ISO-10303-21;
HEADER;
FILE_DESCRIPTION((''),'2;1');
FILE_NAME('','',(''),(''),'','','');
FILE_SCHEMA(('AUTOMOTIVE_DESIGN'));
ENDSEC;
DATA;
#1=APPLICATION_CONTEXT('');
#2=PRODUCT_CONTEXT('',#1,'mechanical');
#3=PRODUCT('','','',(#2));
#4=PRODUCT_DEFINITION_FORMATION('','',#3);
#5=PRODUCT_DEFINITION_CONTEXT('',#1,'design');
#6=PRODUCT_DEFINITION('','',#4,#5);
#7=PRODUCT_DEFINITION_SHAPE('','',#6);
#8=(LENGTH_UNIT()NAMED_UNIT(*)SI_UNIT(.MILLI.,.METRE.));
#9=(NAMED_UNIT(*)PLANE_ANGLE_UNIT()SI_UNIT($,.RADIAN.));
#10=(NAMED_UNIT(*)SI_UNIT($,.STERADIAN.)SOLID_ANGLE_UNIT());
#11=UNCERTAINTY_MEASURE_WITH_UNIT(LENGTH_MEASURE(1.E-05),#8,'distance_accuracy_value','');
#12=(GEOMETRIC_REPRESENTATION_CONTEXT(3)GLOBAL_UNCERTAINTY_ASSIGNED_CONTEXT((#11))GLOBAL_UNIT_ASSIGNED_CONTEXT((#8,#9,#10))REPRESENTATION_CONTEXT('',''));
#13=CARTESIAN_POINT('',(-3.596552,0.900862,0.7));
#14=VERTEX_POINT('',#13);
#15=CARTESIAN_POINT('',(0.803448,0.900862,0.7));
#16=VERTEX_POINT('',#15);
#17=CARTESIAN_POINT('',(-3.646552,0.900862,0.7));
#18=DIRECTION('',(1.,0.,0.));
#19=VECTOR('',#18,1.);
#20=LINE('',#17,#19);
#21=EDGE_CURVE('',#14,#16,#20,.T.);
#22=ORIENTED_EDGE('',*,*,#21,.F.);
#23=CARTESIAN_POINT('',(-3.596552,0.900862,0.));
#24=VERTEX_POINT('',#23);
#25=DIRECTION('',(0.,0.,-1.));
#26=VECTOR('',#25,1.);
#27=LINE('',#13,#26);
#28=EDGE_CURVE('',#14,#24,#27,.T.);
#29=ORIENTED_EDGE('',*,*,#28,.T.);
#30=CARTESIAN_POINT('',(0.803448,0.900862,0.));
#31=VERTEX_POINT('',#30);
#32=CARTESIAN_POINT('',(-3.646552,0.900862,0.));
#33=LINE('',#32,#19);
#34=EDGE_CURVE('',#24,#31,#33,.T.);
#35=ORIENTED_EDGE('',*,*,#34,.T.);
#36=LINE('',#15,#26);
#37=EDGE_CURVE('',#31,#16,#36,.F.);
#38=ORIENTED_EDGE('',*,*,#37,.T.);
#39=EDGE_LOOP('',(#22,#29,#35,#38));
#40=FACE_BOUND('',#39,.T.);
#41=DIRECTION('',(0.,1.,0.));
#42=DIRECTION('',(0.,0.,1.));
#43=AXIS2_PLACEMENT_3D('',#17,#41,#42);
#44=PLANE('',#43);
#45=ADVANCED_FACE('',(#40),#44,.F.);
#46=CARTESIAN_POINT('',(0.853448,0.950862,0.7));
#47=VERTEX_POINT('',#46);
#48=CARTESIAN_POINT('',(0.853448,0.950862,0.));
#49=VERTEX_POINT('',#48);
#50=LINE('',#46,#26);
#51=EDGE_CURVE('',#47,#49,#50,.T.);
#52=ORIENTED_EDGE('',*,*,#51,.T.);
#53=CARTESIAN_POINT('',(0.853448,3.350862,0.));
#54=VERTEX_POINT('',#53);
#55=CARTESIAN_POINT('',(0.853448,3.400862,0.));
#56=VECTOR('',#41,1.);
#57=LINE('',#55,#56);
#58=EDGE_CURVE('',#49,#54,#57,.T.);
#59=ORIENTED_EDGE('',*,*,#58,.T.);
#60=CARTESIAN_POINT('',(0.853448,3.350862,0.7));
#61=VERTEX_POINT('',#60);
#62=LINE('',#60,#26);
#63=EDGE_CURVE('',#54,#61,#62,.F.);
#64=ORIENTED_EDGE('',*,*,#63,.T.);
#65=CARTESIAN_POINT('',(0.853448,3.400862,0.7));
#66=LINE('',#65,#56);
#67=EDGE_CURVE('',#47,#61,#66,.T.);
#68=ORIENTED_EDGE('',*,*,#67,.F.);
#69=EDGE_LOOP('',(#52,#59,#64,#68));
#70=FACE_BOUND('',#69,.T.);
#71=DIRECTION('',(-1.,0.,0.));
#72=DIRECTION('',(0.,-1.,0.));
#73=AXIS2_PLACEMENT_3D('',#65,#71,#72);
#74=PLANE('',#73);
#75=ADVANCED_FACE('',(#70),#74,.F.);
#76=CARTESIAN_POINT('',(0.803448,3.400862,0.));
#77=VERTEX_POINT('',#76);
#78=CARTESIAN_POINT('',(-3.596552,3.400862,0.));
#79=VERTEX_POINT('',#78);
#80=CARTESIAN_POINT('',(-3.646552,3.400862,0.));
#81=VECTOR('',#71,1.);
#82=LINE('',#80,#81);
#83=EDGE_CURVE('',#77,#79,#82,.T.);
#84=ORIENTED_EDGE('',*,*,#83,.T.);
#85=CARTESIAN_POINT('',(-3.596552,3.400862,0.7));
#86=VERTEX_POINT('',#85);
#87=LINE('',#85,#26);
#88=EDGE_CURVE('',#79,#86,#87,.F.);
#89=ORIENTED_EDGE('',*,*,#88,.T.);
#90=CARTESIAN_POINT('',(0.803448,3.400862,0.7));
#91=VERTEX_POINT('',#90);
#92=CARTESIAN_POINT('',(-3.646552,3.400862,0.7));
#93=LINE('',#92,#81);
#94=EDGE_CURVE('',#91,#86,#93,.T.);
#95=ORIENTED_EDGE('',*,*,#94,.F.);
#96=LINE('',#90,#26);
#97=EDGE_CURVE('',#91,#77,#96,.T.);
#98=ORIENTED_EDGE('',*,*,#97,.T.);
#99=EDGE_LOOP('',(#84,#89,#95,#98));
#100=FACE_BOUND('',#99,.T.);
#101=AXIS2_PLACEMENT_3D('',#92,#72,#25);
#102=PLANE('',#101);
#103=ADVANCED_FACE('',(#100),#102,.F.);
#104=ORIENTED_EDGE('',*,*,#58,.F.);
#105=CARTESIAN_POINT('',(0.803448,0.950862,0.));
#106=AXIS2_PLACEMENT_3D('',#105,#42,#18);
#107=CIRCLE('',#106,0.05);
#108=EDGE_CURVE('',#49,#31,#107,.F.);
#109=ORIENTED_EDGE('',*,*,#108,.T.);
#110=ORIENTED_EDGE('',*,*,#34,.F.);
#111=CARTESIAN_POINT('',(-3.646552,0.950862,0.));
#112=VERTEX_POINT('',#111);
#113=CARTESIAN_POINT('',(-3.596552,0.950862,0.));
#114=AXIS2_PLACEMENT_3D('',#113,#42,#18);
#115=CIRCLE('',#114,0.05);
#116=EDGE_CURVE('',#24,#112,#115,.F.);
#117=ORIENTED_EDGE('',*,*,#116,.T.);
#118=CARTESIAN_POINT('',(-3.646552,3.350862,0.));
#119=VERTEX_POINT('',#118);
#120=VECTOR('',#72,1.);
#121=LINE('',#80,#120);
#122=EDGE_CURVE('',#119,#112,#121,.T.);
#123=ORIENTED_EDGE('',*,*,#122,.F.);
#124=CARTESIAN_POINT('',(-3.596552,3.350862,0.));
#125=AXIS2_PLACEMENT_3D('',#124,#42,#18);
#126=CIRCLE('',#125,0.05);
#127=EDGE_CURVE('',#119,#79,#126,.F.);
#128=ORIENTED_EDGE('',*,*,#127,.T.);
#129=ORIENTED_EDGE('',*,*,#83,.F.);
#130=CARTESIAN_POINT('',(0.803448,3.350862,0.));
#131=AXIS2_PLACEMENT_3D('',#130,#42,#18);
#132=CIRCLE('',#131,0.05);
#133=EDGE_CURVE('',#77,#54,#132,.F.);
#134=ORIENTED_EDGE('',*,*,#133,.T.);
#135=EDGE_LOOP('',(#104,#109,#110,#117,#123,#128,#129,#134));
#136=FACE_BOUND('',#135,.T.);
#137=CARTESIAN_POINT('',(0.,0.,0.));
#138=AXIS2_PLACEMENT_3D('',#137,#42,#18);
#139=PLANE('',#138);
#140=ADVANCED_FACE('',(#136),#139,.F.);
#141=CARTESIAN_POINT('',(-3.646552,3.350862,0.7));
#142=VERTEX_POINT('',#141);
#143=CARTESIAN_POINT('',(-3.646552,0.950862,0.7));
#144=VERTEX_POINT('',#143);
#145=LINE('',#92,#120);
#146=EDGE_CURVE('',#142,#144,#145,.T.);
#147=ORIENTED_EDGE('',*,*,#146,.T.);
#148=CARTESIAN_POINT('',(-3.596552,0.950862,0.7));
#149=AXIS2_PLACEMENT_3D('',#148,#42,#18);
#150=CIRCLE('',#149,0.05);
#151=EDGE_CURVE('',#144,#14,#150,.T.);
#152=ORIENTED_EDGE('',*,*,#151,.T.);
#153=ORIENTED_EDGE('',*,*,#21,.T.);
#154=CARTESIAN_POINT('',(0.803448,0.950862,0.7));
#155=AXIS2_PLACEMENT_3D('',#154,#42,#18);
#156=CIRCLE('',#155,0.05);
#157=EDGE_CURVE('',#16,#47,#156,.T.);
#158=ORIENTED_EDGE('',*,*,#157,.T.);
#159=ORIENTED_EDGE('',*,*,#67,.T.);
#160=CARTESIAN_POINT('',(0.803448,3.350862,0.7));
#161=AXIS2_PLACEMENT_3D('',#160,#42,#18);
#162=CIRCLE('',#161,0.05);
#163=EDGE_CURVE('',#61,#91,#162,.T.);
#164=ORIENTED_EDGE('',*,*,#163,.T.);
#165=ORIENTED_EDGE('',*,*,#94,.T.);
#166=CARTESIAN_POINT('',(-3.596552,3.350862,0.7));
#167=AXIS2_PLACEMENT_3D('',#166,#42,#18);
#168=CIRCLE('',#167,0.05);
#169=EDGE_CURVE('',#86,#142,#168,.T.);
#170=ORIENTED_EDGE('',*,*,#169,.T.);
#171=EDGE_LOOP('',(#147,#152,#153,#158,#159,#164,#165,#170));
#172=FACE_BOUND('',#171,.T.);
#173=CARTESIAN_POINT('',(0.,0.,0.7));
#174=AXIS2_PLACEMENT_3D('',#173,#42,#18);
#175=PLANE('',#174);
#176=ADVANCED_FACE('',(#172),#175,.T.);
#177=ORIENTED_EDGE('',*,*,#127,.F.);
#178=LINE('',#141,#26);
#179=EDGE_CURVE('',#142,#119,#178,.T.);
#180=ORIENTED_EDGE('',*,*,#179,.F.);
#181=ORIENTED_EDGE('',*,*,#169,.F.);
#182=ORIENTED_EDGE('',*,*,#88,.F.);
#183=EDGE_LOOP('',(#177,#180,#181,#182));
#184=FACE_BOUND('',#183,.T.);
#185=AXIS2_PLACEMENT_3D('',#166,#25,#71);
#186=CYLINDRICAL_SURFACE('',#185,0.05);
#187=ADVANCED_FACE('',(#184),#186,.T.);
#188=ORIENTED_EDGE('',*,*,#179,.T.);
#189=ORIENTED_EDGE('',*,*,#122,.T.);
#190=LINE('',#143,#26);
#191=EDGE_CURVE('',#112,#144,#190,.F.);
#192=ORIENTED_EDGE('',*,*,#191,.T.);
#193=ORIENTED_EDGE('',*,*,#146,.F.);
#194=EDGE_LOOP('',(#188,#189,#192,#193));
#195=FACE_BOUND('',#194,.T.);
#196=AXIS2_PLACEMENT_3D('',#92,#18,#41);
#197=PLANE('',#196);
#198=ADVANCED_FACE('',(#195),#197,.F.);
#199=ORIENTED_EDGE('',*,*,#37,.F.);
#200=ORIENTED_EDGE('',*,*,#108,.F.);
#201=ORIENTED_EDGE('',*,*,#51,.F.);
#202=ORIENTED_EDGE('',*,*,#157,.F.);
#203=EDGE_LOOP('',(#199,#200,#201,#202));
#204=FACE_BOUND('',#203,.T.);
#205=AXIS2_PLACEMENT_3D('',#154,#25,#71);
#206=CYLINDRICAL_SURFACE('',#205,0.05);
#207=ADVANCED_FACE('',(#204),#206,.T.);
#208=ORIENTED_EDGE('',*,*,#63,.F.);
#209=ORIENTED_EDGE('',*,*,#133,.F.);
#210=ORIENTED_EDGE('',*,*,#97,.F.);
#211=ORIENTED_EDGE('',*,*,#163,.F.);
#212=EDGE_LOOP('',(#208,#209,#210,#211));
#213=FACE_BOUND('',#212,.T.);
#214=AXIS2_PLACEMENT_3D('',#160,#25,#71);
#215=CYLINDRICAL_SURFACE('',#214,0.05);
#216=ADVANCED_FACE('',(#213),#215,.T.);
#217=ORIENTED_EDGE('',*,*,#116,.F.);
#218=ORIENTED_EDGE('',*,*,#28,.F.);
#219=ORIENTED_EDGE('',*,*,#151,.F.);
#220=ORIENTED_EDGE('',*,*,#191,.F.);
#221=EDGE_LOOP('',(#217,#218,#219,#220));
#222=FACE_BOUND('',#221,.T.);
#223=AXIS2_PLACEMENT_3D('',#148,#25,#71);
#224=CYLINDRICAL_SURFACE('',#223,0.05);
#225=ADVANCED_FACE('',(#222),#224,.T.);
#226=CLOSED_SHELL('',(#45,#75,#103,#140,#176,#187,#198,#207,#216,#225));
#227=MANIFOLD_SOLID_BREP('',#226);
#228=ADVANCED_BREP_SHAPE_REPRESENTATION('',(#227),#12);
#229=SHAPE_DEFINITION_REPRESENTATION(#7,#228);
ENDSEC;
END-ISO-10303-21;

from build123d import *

# Parameters (mm, degrees)
SKETCH_1_W      = 4.5
SKETCH_1_H      = 2.5
EXTRUDE_1_DEPTH = 0.7
FILLET_1_R      = 0.05


with BuildPart() as part:
    # 草图1 → 凸台-拉伸1 (new body)
    with BuildSketch(Plane.XY):
        with Locations((-1.396551724, 2.150862069)):
            Rectangle(SKETCH_1_W, SKETCH_1_H)
    extrude(amount=EXTRUDE_1_DEPTH)

    # 圆角1
    fillet_1_edges = [part.edges().sort_by_distance(p)[0] for p in [
        (-3.646551724, 3.400862069, 0.35),
        (0.853448276, 3.400862069, 0.35),
        (0.853448276, 0.900862069, 0.35),
        (-3.646551724, 0.900862069, 0.35),
    ]]
    fillet(fillet_1_edges, radius=FILLET_1_R)


solid = part.part
